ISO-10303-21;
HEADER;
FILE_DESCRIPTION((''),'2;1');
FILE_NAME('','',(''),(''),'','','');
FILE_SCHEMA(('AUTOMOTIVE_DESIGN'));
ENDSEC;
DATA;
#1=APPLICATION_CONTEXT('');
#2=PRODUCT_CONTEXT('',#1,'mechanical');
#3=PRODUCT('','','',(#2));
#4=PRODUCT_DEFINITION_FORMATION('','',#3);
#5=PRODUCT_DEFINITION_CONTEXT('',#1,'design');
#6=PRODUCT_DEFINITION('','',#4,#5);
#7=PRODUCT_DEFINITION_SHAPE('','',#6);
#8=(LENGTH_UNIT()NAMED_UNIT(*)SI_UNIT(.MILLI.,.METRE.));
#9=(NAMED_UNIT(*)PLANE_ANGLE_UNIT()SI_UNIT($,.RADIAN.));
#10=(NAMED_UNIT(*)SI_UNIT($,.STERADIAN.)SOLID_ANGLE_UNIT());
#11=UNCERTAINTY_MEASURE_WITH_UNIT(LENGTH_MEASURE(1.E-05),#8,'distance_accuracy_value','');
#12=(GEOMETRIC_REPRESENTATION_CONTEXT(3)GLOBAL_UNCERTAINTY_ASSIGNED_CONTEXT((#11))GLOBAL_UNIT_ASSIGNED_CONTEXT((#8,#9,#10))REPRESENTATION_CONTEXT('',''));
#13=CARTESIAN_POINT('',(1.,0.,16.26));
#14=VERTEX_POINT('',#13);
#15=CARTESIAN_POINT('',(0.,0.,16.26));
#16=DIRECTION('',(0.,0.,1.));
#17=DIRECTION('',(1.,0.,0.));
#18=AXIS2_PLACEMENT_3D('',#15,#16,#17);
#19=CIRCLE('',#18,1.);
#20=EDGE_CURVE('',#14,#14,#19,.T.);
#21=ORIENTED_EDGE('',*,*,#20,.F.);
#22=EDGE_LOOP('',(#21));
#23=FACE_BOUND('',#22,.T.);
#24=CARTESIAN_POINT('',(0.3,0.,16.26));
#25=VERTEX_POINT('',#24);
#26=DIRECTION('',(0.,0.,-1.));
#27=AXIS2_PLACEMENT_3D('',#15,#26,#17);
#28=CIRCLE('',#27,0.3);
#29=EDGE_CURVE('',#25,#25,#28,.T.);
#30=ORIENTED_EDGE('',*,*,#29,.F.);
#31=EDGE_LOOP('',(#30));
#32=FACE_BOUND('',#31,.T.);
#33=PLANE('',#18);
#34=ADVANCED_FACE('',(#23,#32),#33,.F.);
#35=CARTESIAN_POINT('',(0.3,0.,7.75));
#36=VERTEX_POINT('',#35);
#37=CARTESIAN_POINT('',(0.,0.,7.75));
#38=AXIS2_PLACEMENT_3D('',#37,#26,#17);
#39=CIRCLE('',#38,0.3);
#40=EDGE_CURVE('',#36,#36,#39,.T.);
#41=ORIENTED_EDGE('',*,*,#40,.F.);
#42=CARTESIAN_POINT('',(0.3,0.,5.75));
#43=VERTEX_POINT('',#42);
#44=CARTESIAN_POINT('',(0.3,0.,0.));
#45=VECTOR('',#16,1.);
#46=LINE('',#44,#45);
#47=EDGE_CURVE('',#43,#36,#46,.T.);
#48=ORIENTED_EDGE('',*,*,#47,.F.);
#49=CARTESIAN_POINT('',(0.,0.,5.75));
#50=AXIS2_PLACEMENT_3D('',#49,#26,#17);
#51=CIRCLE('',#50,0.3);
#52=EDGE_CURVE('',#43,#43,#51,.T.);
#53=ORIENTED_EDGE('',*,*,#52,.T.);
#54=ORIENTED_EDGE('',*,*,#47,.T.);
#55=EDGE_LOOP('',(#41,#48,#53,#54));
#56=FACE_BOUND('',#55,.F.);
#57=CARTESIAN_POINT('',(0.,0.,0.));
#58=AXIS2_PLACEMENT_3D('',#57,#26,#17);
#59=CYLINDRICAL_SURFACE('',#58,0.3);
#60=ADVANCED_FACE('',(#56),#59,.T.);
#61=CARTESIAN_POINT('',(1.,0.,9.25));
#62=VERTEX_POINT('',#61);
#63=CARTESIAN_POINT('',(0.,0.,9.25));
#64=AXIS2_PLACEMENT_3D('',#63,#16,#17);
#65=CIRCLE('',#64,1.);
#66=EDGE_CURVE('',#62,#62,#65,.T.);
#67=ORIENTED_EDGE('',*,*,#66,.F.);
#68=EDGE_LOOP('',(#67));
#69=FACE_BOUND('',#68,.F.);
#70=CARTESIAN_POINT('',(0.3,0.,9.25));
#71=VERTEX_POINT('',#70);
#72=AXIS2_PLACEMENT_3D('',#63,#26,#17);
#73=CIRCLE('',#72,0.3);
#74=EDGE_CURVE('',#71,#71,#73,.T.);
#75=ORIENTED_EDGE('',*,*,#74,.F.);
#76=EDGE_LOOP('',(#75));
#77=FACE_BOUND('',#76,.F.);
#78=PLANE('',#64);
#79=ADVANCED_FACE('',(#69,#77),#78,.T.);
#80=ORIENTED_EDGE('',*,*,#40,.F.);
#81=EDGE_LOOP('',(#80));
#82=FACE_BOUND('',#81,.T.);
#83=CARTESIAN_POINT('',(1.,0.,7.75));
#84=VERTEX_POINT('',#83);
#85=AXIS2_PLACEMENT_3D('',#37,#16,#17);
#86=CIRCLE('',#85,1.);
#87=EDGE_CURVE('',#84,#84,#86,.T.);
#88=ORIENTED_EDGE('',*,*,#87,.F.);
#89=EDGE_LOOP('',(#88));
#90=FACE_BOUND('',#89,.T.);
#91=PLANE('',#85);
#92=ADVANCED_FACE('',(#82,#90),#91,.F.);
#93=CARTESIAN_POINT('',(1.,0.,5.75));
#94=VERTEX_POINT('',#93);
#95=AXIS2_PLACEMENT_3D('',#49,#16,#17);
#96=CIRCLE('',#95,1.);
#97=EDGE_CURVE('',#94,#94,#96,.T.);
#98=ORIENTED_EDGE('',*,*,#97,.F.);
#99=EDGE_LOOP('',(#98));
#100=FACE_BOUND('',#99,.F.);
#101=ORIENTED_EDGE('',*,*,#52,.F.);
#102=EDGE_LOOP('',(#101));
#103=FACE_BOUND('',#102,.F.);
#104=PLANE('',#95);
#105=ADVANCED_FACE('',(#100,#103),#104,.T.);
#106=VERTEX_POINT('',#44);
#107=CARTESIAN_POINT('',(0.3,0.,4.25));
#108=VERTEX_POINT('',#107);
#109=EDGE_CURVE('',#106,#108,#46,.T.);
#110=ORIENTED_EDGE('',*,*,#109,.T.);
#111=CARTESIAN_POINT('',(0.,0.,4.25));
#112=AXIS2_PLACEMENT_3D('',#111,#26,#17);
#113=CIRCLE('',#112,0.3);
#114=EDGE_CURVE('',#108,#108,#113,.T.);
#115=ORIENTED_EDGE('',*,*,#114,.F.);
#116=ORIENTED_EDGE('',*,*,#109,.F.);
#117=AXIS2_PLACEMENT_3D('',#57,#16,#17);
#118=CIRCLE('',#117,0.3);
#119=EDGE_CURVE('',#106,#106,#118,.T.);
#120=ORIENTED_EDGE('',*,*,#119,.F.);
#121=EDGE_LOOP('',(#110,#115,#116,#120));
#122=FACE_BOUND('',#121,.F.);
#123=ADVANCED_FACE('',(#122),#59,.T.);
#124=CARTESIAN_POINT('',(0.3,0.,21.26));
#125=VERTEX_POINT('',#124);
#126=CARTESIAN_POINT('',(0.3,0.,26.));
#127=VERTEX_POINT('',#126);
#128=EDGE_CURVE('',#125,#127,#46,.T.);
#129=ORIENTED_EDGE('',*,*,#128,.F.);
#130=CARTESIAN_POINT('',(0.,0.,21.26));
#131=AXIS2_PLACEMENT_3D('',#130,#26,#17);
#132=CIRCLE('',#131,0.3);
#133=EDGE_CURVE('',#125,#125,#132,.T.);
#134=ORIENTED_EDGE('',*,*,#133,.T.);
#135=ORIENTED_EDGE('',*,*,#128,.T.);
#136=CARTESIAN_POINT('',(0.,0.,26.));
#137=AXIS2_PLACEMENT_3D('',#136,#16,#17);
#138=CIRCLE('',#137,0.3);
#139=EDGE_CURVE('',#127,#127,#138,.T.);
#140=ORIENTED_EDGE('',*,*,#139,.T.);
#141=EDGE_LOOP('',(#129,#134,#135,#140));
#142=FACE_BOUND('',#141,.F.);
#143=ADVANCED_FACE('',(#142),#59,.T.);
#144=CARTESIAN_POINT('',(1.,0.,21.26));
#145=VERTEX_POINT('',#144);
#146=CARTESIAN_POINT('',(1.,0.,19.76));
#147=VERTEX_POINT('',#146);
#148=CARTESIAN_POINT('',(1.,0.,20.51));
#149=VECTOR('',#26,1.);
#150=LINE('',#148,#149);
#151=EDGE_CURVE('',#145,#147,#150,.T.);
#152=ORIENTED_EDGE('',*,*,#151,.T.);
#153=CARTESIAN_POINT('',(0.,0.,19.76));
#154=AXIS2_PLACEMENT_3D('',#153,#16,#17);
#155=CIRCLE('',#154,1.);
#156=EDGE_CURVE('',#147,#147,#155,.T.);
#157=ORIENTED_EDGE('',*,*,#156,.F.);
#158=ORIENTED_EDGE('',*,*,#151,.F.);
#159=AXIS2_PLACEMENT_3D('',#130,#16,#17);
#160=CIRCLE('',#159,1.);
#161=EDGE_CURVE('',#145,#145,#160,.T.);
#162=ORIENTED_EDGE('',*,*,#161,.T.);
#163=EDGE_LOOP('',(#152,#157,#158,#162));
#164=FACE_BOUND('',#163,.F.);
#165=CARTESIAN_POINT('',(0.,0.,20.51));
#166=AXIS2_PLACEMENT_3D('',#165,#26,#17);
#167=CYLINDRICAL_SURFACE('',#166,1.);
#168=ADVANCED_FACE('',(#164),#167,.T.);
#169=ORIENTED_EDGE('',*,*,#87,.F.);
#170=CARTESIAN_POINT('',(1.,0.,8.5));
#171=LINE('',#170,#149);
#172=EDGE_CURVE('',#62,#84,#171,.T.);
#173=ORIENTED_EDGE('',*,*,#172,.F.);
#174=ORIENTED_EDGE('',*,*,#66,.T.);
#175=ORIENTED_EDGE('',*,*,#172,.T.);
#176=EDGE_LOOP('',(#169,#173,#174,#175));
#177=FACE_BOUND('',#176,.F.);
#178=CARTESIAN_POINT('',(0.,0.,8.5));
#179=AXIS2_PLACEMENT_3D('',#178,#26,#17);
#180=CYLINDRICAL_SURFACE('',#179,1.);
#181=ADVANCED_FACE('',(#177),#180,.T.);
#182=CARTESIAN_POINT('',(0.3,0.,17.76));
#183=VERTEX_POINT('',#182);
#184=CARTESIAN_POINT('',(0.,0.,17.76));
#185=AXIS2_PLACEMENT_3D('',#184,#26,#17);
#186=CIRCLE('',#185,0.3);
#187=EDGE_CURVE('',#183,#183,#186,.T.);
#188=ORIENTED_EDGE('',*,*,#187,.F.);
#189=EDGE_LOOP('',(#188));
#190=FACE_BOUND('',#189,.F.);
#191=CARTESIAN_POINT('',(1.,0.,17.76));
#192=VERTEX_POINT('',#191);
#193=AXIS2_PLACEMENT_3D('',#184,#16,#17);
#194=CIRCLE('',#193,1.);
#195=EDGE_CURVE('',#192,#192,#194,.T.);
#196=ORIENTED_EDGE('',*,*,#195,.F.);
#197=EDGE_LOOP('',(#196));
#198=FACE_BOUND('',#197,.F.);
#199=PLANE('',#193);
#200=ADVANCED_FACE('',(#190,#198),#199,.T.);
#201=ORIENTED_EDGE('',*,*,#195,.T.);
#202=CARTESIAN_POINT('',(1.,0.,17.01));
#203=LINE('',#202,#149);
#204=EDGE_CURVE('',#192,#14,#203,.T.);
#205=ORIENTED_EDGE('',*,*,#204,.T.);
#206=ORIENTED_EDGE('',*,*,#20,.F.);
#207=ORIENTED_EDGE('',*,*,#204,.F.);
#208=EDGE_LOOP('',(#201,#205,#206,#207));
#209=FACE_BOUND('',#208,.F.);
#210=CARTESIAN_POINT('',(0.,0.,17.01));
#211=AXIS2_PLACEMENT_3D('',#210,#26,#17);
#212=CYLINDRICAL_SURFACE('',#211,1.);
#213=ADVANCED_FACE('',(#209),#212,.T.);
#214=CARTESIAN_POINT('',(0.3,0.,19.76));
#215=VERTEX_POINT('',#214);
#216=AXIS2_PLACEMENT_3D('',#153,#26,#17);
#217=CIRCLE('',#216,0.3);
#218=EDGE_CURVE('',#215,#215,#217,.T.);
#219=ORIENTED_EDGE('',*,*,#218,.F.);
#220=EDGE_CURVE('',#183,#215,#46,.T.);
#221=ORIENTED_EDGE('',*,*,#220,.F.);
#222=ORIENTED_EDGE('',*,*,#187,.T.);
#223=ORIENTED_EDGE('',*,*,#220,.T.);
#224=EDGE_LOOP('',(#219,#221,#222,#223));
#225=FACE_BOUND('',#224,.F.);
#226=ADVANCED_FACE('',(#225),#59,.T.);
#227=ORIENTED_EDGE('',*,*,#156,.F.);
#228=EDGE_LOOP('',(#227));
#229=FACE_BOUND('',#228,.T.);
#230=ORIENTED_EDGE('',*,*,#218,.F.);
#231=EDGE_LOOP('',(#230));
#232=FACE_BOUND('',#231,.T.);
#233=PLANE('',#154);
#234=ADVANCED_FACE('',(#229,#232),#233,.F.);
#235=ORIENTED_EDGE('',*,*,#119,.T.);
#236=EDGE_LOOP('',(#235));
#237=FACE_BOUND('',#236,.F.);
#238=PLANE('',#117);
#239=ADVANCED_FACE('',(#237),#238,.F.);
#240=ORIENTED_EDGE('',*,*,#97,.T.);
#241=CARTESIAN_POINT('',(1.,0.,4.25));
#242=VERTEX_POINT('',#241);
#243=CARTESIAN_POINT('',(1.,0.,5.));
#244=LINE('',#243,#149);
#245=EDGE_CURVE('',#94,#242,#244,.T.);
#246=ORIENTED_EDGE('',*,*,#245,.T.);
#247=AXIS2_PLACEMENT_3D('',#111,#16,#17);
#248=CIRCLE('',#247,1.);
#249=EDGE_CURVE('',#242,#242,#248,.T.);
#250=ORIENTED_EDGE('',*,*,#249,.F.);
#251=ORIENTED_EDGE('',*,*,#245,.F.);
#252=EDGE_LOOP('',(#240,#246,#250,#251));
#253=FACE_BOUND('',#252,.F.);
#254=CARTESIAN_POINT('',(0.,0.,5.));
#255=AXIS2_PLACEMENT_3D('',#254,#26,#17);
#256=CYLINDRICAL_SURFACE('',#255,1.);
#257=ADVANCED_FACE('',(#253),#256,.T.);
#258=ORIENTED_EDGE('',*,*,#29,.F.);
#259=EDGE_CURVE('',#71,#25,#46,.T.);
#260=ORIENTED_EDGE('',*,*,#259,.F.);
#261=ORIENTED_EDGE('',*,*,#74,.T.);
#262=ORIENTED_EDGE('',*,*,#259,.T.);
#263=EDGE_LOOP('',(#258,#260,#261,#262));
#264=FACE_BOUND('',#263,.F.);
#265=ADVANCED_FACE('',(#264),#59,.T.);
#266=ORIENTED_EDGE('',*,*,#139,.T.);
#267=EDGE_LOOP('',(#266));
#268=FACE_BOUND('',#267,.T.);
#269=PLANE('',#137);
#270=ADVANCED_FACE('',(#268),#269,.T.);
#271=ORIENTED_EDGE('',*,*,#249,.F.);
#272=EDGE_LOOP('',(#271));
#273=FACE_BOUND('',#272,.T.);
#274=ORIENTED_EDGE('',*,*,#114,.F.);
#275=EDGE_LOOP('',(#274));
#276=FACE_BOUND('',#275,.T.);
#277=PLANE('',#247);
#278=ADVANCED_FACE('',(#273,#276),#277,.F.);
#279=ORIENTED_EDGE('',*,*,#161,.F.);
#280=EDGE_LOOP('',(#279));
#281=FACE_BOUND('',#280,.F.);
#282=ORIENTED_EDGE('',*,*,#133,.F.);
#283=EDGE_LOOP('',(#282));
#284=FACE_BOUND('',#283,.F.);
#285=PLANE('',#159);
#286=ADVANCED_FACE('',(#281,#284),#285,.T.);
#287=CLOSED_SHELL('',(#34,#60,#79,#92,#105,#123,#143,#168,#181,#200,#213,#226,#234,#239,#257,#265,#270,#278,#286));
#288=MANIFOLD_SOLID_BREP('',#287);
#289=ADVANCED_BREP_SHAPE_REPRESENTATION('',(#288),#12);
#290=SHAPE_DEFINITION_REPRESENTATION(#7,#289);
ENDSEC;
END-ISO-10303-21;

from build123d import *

# Parameters (mm, degrees)
SKETCH1_R           = 0.3
BOSS_EXTRUDE1_DEPTH = 26
SKETCH3_W           = 1
SKETCH3_H           = 1.5


with BuildPart() as part:
    # Sketch1 → Boss-Extrude1 (new body)
    with BuildSketch(Plane.XY):
        Circle(SKETCH1_R)
    extrude(amount=BOSS_EXTRUDE1_DEPTH)

    # Sketch3 → Revolve1 (revolve)
    with BuildSketch(Plane(origin=(0, 0, 0), x_dir=(1, 0, 0), z_dir=(0, 1, 0))):
        with Locations((0.5, -5)):
            Rectangle(SKETCH3_W, SKETCH3_H)
        with Locations((0.5, -8.5)):
            Rectangle(SKETCH3_W, SKETCH3_H)
        with Locations((0.5, -17.01)):
            Rectangle(SKETCH3_W, SKETCH3_H)
        with Locations((0.5, -20.51)):
            Rectangle(SKETCH3_W, SKETCH3_H)
    revolve(axis=Axis((0, 0, 0), (0, 0, 1)))


solid = part.part
